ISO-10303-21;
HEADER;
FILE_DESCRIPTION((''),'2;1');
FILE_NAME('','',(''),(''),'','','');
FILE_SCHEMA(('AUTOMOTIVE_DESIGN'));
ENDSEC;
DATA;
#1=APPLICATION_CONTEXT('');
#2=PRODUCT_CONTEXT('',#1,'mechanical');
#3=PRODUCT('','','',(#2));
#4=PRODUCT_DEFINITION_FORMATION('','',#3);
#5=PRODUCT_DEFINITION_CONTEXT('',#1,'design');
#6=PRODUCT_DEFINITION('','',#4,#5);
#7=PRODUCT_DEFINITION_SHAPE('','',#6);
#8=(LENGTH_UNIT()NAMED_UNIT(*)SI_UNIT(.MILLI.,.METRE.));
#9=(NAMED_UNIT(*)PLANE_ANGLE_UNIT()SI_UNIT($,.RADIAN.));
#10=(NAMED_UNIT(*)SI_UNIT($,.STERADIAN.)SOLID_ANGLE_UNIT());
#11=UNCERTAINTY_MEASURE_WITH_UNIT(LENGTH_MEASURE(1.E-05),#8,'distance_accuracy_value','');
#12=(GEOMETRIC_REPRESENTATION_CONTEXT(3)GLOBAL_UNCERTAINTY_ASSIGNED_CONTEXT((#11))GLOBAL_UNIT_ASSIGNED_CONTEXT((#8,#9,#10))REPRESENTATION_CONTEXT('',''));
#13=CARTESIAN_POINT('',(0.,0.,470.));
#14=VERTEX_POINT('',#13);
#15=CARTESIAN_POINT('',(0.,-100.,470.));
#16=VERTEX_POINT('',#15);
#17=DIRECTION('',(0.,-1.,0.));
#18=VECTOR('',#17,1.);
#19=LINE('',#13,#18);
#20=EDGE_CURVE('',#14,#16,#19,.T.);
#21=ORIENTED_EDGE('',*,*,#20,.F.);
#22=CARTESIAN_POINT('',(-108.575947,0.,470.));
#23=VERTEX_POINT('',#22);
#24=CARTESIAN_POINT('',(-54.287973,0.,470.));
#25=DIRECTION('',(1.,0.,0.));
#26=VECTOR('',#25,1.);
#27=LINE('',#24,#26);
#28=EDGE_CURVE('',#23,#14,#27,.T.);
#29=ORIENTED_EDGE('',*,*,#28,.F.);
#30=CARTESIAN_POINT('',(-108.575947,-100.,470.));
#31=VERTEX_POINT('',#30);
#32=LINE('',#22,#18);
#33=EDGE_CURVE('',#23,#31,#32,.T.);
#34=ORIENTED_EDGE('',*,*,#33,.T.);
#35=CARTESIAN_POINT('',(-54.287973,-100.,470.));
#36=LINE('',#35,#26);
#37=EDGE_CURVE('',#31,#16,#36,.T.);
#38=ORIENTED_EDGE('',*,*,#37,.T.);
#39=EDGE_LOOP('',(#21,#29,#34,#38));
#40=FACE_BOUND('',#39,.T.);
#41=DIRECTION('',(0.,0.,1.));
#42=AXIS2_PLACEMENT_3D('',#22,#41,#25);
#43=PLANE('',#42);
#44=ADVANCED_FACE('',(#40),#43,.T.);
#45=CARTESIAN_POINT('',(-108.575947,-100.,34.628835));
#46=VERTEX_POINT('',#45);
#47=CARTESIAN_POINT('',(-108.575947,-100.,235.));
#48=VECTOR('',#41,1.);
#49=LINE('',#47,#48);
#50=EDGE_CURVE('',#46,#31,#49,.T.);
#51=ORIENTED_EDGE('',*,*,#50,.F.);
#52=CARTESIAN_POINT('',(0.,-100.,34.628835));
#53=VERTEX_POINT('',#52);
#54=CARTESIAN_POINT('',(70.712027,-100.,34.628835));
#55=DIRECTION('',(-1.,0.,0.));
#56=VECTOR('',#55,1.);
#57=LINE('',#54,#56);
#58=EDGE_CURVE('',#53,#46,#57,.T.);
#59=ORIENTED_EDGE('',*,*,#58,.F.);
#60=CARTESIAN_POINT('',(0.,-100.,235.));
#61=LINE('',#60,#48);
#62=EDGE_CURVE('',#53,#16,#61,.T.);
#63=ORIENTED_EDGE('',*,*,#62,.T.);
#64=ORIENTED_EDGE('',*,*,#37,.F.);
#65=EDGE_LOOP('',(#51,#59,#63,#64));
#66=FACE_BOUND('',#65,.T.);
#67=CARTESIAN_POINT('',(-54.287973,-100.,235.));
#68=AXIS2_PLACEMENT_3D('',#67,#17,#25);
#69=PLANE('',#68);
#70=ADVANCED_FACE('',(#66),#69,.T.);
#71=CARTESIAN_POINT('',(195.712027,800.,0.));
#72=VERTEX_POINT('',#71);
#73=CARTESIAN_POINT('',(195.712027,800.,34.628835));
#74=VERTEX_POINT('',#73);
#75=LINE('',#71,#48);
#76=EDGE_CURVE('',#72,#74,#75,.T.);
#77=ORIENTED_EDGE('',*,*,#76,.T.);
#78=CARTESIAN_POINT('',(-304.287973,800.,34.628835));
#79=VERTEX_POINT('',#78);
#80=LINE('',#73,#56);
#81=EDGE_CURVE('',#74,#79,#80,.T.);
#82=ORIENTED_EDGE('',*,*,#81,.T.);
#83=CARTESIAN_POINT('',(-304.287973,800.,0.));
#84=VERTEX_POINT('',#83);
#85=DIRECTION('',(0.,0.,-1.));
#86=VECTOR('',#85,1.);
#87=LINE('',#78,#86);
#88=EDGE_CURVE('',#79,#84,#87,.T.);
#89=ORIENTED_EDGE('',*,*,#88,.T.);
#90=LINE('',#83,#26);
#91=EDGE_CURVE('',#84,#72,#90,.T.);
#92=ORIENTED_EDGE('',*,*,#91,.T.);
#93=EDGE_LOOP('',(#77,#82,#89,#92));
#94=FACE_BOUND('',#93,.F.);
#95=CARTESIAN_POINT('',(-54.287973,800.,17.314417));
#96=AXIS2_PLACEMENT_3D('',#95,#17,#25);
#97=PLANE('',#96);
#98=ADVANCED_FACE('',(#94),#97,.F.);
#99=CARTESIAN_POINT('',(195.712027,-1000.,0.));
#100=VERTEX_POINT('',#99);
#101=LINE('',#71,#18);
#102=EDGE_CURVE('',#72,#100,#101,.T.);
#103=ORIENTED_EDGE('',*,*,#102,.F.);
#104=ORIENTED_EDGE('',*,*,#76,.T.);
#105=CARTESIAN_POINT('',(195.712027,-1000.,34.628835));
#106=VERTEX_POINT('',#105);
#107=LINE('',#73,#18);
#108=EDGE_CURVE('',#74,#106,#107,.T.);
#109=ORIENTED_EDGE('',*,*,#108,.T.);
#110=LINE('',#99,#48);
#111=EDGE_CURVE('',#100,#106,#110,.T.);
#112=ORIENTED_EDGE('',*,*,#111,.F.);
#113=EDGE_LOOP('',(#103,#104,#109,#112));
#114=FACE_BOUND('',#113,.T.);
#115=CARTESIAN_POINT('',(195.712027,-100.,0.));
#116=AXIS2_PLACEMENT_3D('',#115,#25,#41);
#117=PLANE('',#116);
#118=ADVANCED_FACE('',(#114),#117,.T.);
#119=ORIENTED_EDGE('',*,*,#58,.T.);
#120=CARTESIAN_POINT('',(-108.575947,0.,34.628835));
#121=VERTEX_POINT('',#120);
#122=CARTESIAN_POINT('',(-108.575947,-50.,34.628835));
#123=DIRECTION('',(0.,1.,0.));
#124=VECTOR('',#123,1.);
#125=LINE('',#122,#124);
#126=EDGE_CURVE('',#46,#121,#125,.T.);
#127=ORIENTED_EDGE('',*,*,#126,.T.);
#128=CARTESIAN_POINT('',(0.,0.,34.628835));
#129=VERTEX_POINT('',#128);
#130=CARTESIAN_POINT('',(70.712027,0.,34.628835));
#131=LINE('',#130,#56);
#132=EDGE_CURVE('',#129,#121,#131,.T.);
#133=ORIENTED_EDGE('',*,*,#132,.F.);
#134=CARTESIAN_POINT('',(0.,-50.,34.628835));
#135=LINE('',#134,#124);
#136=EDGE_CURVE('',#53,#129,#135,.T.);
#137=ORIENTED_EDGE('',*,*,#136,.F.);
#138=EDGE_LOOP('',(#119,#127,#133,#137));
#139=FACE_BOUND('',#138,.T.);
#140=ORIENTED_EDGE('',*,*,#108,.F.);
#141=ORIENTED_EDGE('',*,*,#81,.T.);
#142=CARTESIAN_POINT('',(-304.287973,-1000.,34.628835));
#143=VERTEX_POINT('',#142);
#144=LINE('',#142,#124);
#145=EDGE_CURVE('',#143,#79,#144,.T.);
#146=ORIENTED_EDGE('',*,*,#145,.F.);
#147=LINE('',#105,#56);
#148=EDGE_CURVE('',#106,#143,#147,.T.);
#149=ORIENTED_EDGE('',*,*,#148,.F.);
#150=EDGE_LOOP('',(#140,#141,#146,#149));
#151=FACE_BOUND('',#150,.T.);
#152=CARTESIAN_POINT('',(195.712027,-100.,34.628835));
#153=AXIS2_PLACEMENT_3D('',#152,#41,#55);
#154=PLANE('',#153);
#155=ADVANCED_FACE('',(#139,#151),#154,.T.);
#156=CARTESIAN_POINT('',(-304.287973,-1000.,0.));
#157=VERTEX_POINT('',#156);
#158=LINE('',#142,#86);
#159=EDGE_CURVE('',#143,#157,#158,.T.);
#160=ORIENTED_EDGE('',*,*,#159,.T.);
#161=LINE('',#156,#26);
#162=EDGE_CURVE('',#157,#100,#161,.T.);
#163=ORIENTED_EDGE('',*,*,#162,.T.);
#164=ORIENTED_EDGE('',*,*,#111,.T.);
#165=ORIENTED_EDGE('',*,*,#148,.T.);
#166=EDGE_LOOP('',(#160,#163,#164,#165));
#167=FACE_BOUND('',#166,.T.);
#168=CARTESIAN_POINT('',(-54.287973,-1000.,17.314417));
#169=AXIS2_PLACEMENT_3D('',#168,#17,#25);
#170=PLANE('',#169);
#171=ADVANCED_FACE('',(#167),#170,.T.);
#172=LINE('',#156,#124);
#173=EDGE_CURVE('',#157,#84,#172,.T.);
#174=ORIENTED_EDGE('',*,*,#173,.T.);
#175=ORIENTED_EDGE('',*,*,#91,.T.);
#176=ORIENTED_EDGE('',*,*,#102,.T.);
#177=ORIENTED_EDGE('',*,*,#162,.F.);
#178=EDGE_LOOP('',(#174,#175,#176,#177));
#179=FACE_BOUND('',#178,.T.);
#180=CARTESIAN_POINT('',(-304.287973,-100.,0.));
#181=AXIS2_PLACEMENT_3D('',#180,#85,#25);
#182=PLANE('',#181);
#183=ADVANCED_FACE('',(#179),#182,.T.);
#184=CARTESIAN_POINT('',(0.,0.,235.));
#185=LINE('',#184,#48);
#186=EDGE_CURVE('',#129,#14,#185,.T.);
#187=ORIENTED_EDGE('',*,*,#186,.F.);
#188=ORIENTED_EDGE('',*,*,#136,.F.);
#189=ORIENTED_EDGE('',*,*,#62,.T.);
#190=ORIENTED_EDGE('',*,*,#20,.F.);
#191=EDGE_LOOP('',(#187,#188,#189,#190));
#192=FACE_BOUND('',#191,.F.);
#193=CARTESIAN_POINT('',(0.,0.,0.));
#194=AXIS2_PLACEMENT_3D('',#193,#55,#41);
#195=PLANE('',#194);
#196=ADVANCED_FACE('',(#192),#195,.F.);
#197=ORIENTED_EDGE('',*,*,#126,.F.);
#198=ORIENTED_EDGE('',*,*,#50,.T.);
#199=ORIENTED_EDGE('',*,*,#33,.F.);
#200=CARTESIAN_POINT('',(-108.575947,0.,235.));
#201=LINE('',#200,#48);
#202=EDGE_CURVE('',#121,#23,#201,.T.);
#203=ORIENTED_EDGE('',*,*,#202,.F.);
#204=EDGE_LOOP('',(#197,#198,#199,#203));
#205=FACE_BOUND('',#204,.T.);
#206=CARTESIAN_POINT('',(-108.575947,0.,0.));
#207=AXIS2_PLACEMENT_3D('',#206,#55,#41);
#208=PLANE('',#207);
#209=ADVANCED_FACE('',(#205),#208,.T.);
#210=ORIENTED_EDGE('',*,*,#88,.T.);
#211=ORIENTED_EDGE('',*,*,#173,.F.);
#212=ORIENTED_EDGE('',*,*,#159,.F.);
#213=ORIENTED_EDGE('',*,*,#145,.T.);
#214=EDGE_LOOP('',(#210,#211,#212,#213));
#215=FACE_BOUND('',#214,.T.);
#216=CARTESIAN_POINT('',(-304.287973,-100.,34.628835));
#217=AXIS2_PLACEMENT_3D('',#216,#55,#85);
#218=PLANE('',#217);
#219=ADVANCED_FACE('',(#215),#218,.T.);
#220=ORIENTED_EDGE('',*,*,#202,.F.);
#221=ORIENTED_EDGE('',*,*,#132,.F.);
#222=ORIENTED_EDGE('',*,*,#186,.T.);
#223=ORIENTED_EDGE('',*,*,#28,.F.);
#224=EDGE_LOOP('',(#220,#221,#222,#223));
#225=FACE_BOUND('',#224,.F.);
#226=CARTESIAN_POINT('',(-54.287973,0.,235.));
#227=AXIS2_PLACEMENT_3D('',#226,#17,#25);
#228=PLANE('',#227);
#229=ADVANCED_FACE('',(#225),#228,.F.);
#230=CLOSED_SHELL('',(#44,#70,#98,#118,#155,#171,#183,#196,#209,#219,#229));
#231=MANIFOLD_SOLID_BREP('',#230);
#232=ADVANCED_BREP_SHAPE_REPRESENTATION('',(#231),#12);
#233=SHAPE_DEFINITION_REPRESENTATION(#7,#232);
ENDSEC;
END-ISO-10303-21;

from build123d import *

# Parameters (mm, degrees)
F0_W     = 108.5759465883
F0_H     = 470
F1_DEPTH = 100
F3_DEPTH = 900


with BuildPart() as f1:
    # F0 (on Front) → F1 (new body)
    with BuildSketch(Plane.XZ):
        with Locations((-54.2879732942, 235)):
            Rectangle(F0_W, F0_H)
    extrude(amount=F1_DEPTH)

    # F2 (on face) → F3 (join, symmetric)
    with BuildSketch(Plane.XZ.offset(100)):
        Polygon((-304.2879732942, 0), (-54.2879732942, 0), (195.7120267058, 0), (195.7120267058, 34.6288345754), (-54.2879732942, 34.6288345754), (-304.2879732942, 34.6288345754), align=None)
    extrude(amount=F3_DEPTH, both=True)


solid = f1.part
